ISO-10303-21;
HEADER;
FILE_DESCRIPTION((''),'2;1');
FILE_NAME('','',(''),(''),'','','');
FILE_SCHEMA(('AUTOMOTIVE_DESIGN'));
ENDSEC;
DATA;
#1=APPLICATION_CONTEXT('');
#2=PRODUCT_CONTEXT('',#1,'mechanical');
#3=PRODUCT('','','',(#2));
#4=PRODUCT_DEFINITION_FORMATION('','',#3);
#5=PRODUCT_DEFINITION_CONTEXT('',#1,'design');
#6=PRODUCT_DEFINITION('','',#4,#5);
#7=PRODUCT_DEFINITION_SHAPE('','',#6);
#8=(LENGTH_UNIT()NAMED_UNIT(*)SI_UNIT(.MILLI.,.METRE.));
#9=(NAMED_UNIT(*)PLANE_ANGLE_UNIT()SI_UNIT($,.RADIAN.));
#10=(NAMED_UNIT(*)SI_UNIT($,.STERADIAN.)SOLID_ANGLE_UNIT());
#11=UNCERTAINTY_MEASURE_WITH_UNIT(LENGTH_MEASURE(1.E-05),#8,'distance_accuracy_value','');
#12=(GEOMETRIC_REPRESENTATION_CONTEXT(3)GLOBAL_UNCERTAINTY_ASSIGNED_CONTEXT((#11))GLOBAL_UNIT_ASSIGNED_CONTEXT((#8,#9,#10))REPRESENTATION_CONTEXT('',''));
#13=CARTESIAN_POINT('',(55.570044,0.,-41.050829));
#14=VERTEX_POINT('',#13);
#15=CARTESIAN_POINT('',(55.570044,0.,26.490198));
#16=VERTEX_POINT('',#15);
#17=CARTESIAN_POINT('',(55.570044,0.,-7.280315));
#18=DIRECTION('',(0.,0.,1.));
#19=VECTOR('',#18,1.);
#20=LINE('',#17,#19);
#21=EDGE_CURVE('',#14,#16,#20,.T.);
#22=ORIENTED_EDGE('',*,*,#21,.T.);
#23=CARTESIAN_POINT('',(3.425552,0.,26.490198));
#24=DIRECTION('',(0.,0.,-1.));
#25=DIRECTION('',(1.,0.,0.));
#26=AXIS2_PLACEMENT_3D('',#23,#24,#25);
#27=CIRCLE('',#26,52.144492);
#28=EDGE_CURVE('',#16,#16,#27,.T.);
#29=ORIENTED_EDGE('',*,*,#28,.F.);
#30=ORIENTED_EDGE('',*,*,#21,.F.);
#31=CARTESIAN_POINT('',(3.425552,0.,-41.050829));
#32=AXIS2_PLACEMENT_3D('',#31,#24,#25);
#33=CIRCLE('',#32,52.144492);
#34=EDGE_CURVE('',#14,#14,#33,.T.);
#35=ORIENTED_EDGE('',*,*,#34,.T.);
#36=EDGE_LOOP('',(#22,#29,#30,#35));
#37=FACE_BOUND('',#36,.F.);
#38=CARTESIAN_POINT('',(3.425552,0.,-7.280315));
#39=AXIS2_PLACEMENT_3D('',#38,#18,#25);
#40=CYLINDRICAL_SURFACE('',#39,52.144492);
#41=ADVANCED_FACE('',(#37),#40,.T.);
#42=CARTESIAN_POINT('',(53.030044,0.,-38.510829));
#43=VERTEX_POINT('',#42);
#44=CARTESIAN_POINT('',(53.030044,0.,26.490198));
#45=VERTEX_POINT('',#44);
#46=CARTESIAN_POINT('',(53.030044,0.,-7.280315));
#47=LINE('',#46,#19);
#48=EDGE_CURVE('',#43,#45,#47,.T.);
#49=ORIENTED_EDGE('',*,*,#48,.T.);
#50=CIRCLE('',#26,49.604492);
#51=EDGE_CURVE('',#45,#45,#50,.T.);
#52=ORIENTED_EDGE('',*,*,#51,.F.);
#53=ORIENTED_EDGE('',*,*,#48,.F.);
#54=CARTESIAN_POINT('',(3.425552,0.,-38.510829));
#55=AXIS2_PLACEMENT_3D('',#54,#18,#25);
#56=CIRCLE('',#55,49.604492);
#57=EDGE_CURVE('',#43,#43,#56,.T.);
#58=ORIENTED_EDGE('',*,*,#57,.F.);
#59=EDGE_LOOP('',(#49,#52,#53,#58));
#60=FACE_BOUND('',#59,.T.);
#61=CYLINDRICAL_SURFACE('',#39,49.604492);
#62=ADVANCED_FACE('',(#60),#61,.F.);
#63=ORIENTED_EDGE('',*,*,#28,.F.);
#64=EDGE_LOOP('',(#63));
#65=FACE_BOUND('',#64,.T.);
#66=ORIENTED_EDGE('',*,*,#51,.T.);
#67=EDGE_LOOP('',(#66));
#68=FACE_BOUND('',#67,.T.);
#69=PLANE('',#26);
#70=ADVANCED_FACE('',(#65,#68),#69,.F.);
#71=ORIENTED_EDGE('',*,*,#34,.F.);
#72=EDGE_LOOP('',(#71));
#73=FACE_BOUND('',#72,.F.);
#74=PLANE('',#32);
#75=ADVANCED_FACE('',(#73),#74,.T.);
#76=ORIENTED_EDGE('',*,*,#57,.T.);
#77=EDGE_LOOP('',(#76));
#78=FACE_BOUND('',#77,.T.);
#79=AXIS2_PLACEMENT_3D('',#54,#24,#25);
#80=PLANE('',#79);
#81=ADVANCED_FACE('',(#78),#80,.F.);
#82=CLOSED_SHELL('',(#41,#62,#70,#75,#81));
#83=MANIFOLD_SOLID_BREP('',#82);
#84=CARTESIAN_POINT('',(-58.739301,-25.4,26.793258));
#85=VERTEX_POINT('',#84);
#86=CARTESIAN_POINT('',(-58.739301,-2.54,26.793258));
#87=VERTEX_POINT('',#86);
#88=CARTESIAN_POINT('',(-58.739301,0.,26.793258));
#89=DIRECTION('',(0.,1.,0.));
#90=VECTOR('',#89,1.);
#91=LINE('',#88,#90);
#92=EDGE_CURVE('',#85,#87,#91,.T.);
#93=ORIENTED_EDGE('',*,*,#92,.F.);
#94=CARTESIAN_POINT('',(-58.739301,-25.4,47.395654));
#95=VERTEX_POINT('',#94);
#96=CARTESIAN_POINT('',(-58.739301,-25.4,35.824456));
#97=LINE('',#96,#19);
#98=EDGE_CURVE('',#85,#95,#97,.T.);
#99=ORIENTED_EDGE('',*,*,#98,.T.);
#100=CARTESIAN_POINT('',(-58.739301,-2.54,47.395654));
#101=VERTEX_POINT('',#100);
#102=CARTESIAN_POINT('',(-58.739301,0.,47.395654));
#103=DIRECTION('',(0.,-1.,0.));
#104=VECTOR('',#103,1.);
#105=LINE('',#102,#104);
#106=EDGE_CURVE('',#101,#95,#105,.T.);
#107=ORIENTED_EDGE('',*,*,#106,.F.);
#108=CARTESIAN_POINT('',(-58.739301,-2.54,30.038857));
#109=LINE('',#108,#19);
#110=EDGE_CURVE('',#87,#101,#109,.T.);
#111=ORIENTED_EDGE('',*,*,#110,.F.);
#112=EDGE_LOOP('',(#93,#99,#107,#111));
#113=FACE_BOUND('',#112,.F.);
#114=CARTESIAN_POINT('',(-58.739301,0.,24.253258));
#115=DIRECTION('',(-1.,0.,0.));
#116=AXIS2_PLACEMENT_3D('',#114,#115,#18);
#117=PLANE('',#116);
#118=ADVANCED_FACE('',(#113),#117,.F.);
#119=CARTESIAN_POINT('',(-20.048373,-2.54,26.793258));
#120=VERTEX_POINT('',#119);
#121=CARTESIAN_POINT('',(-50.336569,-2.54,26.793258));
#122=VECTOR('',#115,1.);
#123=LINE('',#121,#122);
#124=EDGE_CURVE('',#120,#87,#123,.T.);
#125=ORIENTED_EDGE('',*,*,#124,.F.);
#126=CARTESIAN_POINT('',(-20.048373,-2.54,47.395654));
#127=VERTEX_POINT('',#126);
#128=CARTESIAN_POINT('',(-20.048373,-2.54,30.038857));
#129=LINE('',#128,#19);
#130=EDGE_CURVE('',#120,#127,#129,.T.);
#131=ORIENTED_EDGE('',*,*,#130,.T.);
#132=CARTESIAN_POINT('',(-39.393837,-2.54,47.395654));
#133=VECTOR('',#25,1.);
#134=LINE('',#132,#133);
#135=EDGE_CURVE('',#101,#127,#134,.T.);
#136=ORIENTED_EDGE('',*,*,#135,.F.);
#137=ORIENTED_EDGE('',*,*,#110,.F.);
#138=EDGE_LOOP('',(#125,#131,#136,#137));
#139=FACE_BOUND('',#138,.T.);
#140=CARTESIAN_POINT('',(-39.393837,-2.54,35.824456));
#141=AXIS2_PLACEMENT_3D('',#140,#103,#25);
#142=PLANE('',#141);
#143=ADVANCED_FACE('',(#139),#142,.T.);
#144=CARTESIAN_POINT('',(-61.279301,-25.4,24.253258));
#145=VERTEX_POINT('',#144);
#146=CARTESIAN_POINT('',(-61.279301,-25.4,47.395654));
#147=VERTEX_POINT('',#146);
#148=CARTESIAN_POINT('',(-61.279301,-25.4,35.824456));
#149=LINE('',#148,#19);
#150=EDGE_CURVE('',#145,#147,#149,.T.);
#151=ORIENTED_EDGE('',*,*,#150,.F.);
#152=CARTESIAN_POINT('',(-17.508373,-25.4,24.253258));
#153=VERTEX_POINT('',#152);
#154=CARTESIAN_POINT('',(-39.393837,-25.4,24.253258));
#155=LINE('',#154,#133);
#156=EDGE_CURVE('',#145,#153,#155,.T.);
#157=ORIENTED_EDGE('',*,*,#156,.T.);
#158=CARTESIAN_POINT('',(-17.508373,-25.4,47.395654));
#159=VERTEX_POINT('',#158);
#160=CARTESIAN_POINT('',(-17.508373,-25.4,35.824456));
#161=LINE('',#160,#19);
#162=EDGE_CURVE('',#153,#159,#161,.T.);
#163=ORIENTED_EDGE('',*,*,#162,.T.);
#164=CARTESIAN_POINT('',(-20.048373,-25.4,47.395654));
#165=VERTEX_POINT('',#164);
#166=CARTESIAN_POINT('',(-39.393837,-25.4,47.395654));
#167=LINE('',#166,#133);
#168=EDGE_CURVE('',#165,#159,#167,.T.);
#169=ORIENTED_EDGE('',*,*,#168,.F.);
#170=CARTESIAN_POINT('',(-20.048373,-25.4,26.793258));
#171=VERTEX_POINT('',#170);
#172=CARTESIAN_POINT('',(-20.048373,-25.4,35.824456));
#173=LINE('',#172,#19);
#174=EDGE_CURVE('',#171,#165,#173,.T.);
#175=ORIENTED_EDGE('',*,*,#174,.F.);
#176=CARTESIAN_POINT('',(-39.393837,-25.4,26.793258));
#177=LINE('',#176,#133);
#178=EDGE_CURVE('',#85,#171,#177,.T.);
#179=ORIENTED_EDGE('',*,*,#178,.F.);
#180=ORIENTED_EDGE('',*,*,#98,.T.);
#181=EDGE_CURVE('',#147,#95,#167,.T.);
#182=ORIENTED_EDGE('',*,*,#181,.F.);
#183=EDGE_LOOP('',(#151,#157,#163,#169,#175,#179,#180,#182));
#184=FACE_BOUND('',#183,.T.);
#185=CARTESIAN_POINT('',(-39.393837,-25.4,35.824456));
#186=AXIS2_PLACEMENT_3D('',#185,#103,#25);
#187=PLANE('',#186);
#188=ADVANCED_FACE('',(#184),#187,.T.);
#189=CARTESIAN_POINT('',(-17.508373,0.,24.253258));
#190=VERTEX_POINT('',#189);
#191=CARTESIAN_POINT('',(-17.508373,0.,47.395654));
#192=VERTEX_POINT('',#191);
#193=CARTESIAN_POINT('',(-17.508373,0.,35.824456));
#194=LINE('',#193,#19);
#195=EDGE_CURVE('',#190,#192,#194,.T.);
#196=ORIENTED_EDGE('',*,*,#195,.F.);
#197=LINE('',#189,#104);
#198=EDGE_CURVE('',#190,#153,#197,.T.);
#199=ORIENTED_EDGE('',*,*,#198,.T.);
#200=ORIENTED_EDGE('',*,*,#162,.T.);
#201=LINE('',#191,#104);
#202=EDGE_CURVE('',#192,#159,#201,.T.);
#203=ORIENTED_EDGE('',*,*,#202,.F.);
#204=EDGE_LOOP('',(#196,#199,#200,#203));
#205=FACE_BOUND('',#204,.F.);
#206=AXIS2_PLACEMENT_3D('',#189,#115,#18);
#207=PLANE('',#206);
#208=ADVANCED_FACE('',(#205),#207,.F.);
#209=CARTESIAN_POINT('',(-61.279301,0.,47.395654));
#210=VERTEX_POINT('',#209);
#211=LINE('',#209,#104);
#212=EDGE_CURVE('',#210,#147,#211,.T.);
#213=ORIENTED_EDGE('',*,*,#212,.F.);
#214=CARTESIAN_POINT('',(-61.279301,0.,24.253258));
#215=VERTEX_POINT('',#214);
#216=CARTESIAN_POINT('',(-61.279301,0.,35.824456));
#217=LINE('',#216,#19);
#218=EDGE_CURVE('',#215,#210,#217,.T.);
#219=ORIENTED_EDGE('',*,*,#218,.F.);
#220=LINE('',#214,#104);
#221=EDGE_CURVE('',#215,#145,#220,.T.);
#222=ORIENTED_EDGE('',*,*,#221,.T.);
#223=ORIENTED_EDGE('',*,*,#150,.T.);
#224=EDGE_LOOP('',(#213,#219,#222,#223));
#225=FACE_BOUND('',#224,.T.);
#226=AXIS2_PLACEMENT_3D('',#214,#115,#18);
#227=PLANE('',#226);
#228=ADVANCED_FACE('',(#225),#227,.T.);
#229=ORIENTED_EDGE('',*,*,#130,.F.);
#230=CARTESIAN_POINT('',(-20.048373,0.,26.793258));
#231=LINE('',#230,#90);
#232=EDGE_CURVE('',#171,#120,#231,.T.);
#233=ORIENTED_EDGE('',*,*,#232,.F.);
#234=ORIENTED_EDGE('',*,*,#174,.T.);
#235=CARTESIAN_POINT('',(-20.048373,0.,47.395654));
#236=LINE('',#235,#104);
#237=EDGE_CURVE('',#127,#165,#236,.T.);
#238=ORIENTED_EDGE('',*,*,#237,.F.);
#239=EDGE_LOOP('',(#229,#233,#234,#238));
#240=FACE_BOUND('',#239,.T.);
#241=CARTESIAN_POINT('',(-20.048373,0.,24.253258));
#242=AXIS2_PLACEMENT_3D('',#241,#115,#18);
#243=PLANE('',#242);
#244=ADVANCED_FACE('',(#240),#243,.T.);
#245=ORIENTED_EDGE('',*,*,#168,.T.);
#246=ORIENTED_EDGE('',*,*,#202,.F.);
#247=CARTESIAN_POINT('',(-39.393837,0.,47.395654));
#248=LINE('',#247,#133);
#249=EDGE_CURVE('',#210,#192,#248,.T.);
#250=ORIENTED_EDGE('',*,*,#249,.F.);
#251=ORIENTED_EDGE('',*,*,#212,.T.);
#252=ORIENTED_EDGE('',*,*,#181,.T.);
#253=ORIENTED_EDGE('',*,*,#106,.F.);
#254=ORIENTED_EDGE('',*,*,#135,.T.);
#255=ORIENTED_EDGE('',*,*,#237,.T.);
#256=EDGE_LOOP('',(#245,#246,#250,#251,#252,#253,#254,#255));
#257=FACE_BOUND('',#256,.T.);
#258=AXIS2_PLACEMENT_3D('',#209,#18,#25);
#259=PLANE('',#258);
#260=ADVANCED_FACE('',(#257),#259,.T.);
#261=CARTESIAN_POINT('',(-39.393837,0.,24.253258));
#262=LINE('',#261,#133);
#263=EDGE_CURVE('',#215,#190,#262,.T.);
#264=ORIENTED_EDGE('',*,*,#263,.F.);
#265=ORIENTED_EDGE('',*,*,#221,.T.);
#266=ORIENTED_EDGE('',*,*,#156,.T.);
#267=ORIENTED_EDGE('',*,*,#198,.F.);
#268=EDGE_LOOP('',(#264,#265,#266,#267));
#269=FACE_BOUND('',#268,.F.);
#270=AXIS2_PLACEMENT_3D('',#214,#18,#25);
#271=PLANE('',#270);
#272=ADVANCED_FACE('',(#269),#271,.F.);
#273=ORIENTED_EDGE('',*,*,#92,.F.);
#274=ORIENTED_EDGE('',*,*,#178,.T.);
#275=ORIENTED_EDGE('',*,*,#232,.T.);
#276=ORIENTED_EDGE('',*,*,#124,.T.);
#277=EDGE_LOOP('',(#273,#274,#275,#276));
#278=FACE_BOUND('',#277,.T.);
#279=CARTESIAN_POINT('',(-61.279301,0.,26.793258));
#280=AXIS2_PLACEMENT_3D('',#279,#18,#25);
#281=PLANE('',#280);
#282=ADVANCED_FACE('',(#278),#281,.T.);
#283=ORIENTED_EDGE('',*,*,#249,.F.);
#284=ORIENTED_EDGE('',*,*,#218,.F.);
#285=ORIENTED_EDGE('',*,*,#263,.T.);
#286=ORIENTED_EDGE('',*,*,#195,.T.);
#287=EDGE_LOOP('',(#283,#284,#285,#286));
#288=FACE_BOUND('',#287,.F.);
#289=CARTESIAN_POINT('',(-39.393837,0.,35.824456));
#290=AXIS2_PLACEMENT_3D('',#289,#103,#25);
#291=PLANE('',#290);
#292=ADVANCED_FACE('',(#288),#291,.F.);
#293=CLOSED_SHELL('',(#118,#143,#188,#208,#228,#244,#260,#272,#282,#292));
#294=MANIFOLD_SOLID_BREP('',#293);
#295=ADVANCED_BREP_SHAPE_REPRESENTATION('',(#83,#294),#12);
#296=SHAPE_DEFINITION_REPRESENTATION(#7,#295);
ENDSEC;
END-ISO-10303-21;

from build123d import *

# Parameters (mm, degrees)
F0_W     = 43.7709279358
F0_H     = 23.1423955411
F1_DEPTH = 25.4
F0_W_2   = 52.1444918122
F0_H_2   = 67.5410274416
F4_T     = -2.54
F4_2_T   = -2.54


with BuildPart() as f1:
    # F0 (on Front) → F1 (new body)
    with BuildSketch(Plane.XZ):
        with Locations((-39.3938366324, 35.8244562522)):
            Rectangle(F0_W, F0_H)
    extrude(amount=F1_DEPTH)

    # F4
    f4_openings = [f1.faces().sort_by_distance(p)[0] for p in [
        (-39.393837, -12.7, 47.395654),
        (-39.393837, -25.4, 35.824456),
    ]]
    offset(amount=F4_T, openings=f4_openings)


with BuildPart() as f1b:
    # F0 (on Front) → F1, piece 2 (new body)
    with BuildSketch(Plane.XZ):
        with Locations((29.4977977173, -7.2803152725)):
            Rectangle(F0_W_2, F0_H_2)
    extrude(amount=F1_DEPTH)


with BuildPart() as f3:
    # F0 (on Front) → F3 (revolve)
    with BuildSketch(Plane.XZ):
        with Locations((29.4977977173, -7.2803152725)):
            Rectangle(F0_W_2, F0_H_2)
    revolve(axis=Axis((3.4255518112, 0, -7.2803152725), (0, 0, -1)))

    # F4#2
    f4_2_openings = [f3.faces().sort_by_distance(p)[0] for p in [
        (3.425552, 0, 26.490198),
    ]]
    offset(amount=F4_2_T, openings=f4_2_openings)


solid = Compound([f1.part, f3.part])
